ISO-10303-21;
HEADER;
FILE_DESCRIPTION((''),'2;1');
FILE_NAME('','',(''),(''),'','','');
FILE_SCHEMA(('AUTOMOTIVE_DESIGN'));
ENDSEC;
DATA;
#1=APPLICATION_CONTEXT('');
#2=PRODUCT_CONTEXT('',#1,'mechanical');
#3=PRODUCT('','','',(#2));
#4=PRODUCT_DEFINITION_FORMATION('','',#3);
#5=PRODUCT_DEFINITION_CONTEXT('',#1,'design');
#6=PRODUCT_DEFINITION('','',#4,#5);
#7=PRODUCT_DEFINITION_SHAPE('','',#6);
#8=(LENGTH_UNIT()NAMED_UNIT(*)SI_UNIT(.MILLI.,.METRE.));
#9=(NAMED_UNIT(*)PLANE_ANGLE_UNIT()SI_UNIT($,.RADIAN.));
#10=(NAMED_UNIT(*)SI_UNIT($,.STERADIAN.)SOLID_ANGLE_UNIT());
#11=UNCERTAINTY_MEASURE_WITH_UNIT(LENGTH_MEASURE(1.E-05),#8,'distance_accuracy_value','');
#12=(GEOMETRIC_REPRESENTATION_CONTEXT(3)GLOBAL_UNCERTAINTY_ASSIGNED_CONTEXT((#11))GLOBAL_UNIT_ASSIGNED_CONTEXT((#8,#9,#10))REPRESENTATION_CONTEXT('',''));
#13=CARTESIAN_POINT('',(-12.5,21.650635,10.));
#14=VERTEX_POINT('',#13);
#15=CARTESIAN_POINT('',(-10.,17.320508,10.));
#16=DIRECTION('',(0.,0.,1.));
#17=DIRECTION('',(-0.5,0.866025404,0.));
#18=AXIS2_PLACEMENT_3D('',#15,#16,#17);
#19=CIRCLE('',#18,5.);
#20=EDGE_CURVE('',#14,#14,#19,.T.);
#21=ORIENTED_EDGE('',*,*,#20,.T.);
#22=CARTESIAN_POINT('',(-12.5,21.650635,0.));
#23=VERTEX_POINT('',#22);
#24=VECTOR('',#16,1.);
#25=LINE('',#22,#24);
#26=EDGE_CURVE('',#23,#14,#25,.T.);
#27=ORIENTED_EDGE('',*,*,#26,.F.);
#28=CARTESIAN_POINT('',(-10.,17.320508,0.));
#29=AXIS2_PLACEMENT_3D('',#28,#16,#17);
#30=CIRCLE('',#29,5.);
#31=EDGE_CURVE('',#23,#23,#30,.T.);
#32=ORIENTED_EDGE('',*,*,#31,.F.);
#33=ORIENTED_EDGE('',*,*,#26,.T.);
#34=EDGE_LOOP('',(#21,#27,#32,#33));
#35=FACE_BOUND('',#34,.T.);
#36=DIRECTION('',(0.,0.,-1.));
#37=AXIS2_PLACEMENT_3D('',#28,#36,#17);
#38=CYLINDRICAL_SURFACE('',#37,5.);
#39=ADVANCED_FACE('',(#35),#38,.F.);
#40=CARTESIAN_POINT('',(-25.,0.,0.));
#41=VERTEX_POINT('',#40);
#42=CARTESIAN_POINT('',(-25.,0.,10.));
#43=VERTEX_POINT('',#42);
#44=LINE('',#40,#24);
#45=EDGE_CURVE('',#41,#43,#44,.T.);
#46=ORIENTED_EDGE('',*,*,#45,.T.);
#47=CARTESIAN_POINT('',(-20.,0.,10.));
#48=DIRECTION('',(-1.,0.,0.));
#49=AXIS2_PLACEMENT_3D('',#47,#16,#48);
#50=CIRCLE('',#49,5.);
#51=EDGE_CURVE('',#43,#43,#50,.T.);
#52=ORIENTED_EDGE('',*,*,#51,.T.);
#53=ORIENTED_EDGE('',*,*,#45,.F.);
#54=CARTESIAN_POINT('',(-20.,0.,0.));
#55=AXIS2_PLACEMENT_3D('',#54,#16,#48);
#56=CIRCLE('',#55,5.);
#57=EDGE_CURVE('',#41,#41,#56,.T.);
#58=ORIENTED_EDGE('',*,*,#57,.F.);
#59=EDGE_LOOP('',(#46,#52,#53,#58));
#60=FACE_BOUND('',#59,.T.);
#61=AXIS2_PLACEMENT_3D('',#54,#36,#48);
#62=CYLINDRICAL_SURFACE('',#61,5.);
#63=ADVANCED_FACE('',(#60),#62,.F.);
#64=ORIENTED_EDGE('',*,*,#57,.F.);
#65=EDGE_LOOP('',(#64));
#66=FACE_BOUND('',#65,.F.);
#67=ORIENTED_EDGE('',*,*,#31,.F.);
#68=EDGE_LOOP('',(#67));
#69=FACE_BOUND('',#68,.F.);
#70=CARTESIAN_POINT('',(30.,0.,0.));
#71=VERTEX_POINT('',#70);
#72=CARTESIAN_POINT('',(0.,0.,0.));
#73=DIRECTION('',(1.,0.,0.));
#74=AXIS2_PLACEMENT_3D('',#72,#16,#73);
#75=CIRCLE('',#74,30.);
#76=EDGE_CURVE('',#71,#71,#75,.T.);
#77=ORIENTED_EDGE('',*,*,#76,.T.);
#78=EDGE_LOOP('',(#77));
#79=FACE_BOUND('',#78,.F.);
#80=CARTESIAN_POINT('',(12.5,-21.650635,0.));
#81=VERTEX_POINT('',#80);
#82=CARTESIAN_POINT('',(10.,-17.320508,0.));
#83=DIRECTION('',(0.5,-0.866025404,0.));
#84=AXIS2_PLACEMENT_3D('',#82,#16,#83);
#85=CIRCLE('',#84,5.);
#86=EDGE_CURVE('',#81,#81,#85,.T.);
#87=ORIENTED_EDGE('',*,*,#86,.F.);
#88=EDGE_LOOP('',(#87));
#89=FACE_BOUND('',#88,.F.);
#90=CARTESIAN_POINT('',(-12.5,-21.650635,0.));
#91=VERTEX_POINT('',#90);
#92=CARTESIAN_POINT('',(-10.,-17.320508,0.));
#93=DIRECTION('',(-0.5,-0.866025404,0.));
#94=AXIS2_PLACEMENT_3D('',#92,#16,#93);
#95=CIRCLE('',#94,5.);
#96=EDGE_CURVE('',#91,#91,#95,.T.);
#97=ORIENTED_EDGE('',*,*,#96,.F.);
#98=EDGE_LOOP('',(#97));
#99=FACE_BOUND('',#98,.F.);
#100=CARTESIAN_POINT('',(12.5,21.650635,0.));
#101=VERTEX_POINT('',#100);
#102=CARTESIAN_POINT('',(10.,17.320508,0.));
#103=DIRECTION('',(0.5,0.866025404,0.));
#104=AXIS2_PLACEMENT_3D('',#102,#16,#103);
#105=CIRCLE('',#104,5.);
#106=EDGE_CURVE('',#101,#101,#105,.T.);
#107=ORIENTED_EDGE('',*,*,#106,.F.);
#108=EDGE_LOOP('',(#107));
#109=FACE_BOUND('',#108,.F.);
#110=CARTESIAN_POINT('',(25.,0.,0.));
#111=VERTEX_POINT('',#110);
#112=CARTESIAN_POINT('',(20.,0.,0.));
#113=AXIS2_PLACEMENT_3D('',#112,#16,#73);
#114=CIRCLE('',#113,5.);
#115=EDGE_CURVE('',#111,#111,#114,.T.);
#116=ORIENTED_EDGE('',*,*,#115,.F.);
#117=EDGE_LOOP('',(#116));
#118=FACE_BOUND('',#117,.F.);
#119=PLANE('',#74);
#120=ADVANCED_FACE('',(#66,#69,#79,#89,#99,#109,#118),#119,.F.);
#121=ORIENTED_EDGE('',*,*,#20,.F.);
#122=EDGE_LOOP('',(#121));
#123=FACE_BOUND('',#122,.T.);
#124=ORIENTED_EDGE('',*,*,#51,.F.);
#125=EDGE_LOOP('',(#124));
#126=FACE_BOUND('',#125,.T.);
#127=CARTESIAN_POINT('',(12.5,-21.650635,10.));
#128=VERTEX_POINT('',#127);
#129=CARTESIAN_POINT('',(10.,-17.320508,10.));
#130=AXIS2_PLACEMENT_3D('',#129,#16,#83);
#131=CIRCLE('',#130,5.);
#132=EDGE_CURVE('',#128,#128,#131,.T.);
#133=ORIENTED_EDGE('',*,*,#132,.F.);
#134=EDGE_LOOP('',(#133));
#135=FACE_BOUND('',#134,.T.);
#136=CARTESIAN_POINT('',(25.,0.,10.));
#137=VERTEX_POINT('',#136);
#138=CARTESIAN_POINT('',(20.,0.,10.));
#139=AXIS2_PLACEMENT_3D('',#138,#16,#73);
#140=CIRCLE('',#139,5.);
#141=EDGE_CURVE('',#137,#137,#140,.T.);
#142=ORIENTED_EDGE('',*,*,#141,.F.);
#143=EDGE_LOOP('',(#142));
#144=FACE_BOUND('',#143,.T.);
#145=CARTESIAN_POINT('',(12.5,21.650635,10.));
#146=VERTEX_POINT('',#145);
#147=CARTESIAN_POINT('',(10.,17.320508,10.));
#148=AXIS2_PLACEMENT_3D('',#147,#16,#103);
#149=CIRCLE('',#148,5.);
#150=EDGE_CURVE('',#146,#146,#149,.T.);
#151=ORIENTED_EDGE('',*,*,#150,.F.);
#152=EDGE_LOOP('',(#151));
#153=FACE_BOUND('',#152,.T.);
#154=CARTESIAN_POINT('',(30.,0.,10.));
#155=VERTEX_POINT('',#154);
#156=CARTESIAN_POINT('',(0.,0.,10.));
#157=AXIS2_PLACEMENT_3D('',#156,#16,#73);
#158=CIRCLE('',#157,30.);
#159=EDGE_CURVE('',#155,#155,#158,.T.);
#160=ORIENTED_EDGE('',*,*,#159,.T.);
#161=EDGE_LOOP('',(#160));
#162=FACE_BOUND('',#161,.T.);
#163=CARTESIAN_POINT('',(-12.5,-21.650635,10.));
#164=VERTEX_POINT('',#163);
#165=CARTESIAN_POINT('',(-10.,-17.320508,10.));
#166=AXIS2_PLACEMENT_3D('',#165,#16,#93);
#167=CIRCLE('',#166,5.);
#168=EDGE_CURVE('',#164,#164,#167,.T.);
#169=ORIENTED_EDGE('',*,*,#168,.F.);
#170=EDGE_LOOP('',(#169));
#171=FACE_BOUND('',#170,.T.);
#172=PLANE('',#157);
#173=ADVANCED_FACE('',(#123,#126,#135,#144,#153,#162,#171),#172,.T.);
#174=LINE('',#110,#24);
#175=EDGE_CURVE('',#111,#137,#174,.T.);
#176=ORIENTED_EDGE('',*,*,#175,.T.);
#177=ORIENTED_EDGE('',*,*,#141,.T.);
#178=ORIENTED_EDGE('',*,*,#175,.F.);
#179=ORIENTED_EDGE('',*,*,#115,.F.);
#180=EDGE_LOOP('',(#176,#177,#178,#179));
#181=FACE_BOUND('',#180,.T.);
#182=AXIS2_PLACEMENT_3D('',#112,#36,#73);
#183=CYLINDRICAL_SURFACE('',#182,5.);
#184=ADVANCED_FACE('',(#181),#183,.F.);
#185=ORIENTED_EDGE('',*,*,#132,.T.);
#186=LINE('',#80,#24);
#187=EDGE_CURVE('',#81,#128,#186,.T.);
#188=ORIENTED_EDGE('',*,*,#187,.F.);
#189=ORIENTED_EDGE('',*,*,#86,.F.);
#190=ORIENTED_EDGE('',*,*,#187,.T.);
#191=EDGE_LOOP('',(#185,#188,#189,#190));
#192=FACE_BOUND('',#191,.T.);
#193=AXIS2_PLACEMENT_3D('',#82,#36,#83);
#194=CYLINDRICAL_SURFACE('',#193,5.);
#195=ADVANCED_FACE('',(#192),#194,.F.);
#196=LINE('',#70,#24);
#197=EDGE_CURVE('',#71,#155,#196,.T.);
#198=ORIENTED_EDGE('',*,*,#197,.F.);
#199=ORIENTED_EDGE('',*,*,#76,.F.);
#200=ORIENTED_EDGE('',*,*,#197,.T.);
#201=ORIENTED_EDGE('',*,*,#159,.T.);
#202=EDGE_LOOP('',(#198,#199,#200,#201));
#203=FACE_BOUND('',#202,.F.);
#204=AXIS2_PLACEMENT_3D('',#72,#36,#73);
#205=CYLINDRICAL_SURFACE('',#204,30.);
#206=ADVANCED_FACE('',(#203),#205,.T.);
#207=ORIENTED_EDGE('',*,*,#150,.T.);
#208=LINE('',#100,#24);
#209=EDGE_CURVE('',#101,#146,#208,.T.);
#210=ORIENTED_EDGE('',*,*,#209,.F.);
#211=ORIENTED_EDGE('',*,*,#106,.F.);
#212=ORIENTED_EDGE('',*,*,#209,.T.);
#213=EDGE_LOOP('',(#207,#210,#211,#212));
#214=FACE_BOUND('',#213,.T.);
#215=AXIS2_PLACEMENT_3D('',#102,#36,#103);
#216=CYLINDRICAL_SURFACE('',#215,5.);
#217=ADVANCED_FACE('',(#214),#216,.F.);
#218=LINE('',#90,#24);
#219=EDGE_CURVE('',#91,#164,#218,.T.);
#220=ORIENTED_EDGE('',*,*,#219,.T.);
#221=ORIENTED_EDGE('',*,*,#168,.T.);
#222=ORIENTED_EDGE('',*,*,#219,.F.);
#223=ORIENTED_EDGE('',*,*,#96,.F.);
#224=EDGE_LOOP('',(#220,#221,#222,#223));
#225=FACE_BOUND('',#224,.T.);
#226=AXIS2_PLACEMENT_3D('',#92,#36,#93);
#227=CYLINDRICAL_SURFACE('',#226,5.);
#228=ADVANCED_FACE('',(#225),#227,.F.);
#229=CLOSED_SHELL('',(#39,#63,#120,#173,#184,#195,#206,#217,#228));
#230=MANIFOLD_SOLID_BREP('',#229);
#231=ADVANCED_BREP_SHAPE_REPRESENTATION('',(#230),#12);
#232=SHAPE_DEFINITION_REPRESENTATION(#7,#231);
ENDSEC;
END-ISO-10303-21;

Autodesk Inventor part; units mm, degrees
ref_plane "YZ Plane" through (0, 0, 0) normal (1, 0, 0) x (0, 1, 0)
ref_plane "XZ Plane" through (0, 0, 0) normal (0, 1, 0) x (-1, 0, 0)
ref_plane "XY Plane" through (0, 0, 0) normal (0, 0, 1) x (1, 0, 0)
sketch "Sketch1" plane through (0, 0, 0) normal (0, 0, 1) x (1, 0, 0)
  circle A0 centre (0, 0) radius 30
extrude "Extrusion1" add sketch "Sketch1" along normal blind 10
sketch "Sketch2" plane through (0, 0, 0) normal (0, 0, 1) x (1, 0, 0)
  circle A0 centre (20, 0) radius 5
extrude "Extrusion2" cut sketch "Sketch2" along normal blind 10
pattern_circular "Circular Pattern1" count 6 over 360 about axis through (0, 0, -10) along (0, 0, 1) of "Extrusion2"
properties part number "22_pocket_circ"
